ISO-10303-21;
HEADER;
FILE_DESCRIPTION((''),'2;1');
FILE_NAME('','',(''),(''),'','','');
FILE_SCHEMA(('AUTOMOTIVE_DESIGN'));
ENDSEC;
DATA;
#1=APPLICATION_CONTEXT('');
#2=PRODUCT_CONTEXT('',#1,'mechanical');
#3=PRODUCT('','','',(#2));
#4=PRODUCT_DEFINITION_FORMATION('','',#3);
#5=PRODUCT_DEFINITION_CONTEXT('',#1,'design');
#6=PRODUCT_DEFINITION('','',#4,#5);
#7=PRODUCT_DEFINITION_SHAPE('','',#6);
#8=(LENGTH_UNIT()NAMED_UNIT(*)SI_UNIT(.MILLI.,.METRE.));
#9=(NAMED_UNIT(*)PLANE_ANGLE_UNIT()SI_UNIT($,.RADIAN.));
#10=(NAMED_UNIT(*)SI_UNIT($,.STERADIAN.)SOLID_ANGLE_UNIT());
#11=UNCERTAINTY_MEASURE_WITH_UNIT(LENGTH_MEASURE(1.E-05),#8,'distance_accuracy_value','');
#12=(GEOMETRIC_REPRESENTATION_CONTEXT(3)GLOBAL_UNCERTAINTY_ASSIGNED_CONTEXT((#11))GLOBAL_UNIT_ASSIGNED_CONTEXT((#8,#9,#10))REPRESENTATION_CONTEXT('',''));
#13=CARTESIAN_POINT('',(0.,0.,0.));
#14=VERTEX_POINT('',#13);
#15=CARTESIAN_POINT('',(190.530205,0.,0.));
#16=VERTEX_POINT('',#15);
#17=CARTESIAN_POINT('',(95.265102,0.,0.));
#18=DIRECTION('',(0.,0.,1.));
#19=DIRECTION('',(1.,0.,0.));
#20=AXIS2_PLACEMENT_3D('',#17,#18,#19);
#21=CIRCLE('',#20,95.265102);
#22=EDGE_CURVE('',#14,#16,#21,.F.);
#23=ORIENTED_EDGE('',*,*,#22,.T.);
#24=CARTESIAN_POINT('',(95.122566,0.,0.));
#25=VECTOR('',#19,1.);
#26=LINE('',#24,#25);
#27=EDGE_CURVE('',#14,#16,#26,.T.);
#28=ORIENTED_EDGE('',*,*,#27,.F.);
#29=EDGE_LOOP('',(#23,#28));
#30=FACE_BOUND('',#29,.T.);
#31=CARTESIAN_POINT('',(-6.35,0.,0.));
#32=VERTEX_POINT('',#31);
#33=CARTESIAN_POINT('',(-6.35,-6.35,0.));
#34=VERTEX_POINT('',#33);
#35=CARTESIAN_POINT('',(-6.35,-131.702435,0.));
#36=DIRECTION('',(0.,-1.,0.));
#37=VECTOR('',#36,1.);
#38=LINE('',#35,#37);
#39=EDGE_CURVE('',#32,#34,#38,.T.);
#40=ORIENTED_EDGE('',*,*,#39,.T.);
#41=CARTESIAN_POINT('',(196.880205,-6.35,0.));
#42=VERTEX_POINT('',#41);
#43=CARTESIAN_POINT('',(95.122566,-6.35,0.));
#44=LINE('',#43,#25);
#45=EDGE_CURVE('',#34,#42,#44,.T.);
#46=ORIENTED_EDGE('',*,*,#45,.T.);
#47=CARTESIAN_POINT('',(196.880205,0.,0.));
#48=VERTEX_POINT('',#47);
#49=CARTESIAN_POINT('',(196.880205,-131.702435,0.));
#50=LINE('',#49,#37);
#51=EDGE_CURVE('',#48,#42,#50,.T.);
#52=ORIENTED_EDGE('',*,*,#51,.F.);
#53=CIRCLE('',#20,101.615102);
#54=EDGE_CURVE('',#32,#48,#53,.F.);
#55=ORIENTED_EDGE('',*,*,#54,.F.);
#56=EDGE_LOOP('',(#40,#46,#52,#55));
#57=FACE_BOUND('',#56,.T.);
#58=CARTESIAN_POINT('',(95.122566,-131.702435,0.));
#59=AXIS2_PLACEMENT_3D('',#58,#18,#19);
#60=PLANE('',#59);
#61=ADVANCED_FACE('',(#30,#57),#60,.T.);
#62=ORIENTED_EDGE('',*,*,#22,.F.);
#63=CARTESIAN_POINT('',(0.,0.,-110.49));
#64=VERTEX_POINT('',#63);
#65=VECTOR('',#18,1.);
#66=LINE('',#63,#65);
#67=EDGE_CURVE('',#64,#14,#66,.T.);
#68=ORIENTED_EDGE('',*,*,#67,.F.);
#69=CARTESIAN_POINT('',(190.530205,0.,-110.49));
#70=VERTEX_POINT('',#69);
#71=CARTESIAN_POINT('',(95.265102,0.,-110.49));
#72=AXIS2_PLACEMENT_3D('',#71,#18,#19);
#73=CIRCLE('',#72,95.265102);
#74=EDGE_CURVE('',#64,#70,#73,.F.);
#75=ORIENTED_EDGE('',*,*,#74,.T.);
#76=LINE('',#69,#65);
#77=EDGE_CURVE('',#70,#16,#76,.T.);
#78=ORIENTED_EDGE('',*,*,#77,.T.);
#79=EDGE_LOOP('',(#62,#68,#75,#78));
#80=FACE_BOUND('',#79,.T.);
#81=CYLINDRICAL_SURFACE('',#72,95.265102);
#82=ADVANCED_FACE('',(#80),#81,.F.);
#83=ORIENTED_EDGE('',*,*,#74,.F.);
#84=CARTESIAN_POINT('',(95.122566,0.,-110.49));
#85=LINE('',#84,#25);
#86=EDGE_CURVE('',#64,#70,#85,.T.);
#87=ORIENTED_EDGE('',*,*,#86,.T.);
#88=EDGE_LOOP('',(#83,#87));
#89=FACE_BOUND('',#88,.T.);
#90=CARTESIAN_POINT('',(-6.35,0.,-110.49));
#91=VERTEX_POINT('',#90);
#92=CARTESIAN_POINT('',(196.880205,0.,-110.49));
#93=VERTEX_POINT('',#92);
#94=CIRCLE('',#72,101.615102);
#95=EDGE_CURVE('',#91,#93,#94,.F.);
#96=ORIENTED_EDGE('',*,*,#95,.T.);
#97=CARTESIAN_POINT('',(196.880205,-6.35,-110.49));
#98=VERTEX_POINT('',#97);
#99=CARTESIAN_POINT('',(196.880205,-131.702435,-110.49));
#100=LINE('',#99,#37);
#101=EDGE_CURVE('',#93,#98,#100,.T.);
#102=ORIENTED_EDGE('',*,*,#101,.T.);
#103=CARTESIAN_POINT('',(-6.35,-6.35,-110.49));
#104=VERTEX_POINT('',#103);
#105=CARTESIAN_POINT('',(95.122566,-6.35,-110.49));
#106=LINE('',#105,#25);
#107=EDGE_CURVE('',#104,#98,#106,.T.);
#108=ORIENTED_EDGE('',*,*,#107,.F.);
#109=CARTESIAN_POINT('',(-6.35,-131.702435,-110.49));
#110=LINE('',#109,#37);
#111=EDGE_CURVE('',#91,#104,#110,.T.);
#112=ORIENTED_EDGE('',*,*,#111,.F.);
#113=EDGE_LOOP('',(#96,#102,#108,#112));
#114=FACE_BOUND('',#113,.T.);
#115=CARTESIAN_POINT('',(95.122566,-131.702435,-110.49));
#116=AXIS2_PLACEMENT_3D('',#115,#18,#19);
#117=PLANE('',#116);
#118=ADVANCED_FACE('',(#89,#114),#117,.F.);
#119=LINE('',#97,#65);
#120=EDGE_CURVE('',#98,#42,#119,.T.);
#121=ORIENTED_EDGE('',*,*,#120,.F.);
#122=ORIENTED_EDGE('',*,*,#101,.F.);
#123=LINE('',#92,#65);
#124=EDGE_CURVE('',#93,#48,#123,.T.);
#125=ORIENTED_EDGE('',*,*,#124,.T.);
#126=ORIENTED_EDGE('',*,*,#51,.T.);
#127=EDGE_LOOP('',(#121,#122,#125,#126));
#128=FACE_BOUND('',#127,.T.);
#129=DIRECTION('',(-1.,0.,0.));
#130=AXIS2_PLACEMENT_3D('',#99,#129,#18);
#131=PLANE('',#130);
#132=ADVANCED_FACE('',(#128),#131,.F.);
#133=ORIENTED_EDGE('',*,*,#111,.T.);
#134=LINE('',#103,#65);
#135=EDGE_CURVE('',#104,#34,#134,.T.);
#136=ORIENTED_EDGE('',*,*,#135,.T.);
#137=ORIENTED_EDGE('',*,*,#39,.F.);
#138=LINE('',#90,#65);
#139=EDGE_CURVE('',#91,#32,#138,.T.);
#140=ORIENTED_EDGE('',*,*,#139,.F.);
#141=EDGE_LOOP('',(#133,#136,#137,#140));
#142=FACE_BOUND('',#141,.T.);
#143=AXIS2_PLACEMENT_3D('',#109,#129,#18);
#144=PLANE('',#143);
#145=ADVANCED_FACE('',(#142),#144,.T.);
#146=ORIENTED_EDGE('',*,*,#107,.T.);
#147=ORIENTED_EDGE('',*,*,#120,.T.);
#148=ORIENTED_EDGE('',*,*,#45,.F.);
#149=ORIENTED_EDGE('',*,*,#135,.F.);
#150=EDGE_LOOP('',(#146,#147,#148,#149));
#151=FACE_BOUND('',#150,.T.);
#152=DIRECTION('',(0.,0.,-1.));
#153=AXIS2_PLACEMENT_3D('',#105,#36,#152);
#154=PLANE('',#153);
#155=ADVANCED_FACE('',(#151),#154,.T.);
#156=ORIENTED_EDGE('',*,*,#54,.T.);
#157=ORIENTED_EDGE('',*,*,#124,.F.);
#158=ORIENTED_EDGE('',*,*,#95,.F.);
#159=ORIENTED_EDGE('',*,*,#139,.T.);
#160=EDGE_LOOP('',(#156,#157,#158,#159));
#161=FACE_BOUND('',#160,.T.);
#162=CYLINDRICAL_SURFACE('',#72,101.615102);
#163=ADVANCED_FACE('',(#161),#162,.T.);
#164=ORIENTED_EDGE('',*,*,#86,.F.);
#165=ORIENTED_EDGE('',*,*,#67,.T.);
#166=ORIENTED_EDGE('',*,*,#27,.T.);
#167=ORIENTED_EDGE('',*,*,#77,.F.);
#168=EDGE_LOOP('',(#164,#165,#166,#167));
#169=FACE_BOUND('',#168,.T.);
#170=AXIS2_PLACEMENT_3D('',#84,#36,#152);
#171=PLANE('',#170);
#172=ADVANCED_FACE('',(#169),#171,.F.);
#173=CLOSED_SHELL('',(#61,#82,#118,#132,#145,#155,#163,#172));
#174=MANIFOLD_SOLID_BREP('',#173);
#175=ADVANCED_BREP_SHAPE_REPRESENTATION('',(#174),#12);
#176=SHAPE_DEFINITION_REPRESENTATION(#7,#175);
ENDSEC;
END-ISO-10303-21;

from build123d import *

# Parameters (mm, degrees)
EXTRUDE2_DEPTH = 110.49


with BuildPart() as part:
    # Sketch9 → Extrude2 (new body)
    with BuildSketch(Plane.XY):
        with BuildLine():
            ThreePointArc((-6.35, 0), (95.265102475, 101.615102475), (196.880204949, 0))
            Line((196.880204949, 0), (196.880204949, -6.35))
            Line((196.880204949, -6.35), (190.530204949, -6.35))
            Line((190.530204949, -6.35), (-6.35, -6.35))
            Line((-6.35, -6.35), (-6.35, 0))
        make_face()
        with BuildLine():
            Line((0, 0), (190.530204949, 0))
            ThreePointArc((190.530204949, 0), (95.265102475, 95.265102475), (0, 0))
        make_face(mode=Mode.SUBTRACT)
    extrude(amount=-EXTRUDE2_DEPTH)


solid = part.part
